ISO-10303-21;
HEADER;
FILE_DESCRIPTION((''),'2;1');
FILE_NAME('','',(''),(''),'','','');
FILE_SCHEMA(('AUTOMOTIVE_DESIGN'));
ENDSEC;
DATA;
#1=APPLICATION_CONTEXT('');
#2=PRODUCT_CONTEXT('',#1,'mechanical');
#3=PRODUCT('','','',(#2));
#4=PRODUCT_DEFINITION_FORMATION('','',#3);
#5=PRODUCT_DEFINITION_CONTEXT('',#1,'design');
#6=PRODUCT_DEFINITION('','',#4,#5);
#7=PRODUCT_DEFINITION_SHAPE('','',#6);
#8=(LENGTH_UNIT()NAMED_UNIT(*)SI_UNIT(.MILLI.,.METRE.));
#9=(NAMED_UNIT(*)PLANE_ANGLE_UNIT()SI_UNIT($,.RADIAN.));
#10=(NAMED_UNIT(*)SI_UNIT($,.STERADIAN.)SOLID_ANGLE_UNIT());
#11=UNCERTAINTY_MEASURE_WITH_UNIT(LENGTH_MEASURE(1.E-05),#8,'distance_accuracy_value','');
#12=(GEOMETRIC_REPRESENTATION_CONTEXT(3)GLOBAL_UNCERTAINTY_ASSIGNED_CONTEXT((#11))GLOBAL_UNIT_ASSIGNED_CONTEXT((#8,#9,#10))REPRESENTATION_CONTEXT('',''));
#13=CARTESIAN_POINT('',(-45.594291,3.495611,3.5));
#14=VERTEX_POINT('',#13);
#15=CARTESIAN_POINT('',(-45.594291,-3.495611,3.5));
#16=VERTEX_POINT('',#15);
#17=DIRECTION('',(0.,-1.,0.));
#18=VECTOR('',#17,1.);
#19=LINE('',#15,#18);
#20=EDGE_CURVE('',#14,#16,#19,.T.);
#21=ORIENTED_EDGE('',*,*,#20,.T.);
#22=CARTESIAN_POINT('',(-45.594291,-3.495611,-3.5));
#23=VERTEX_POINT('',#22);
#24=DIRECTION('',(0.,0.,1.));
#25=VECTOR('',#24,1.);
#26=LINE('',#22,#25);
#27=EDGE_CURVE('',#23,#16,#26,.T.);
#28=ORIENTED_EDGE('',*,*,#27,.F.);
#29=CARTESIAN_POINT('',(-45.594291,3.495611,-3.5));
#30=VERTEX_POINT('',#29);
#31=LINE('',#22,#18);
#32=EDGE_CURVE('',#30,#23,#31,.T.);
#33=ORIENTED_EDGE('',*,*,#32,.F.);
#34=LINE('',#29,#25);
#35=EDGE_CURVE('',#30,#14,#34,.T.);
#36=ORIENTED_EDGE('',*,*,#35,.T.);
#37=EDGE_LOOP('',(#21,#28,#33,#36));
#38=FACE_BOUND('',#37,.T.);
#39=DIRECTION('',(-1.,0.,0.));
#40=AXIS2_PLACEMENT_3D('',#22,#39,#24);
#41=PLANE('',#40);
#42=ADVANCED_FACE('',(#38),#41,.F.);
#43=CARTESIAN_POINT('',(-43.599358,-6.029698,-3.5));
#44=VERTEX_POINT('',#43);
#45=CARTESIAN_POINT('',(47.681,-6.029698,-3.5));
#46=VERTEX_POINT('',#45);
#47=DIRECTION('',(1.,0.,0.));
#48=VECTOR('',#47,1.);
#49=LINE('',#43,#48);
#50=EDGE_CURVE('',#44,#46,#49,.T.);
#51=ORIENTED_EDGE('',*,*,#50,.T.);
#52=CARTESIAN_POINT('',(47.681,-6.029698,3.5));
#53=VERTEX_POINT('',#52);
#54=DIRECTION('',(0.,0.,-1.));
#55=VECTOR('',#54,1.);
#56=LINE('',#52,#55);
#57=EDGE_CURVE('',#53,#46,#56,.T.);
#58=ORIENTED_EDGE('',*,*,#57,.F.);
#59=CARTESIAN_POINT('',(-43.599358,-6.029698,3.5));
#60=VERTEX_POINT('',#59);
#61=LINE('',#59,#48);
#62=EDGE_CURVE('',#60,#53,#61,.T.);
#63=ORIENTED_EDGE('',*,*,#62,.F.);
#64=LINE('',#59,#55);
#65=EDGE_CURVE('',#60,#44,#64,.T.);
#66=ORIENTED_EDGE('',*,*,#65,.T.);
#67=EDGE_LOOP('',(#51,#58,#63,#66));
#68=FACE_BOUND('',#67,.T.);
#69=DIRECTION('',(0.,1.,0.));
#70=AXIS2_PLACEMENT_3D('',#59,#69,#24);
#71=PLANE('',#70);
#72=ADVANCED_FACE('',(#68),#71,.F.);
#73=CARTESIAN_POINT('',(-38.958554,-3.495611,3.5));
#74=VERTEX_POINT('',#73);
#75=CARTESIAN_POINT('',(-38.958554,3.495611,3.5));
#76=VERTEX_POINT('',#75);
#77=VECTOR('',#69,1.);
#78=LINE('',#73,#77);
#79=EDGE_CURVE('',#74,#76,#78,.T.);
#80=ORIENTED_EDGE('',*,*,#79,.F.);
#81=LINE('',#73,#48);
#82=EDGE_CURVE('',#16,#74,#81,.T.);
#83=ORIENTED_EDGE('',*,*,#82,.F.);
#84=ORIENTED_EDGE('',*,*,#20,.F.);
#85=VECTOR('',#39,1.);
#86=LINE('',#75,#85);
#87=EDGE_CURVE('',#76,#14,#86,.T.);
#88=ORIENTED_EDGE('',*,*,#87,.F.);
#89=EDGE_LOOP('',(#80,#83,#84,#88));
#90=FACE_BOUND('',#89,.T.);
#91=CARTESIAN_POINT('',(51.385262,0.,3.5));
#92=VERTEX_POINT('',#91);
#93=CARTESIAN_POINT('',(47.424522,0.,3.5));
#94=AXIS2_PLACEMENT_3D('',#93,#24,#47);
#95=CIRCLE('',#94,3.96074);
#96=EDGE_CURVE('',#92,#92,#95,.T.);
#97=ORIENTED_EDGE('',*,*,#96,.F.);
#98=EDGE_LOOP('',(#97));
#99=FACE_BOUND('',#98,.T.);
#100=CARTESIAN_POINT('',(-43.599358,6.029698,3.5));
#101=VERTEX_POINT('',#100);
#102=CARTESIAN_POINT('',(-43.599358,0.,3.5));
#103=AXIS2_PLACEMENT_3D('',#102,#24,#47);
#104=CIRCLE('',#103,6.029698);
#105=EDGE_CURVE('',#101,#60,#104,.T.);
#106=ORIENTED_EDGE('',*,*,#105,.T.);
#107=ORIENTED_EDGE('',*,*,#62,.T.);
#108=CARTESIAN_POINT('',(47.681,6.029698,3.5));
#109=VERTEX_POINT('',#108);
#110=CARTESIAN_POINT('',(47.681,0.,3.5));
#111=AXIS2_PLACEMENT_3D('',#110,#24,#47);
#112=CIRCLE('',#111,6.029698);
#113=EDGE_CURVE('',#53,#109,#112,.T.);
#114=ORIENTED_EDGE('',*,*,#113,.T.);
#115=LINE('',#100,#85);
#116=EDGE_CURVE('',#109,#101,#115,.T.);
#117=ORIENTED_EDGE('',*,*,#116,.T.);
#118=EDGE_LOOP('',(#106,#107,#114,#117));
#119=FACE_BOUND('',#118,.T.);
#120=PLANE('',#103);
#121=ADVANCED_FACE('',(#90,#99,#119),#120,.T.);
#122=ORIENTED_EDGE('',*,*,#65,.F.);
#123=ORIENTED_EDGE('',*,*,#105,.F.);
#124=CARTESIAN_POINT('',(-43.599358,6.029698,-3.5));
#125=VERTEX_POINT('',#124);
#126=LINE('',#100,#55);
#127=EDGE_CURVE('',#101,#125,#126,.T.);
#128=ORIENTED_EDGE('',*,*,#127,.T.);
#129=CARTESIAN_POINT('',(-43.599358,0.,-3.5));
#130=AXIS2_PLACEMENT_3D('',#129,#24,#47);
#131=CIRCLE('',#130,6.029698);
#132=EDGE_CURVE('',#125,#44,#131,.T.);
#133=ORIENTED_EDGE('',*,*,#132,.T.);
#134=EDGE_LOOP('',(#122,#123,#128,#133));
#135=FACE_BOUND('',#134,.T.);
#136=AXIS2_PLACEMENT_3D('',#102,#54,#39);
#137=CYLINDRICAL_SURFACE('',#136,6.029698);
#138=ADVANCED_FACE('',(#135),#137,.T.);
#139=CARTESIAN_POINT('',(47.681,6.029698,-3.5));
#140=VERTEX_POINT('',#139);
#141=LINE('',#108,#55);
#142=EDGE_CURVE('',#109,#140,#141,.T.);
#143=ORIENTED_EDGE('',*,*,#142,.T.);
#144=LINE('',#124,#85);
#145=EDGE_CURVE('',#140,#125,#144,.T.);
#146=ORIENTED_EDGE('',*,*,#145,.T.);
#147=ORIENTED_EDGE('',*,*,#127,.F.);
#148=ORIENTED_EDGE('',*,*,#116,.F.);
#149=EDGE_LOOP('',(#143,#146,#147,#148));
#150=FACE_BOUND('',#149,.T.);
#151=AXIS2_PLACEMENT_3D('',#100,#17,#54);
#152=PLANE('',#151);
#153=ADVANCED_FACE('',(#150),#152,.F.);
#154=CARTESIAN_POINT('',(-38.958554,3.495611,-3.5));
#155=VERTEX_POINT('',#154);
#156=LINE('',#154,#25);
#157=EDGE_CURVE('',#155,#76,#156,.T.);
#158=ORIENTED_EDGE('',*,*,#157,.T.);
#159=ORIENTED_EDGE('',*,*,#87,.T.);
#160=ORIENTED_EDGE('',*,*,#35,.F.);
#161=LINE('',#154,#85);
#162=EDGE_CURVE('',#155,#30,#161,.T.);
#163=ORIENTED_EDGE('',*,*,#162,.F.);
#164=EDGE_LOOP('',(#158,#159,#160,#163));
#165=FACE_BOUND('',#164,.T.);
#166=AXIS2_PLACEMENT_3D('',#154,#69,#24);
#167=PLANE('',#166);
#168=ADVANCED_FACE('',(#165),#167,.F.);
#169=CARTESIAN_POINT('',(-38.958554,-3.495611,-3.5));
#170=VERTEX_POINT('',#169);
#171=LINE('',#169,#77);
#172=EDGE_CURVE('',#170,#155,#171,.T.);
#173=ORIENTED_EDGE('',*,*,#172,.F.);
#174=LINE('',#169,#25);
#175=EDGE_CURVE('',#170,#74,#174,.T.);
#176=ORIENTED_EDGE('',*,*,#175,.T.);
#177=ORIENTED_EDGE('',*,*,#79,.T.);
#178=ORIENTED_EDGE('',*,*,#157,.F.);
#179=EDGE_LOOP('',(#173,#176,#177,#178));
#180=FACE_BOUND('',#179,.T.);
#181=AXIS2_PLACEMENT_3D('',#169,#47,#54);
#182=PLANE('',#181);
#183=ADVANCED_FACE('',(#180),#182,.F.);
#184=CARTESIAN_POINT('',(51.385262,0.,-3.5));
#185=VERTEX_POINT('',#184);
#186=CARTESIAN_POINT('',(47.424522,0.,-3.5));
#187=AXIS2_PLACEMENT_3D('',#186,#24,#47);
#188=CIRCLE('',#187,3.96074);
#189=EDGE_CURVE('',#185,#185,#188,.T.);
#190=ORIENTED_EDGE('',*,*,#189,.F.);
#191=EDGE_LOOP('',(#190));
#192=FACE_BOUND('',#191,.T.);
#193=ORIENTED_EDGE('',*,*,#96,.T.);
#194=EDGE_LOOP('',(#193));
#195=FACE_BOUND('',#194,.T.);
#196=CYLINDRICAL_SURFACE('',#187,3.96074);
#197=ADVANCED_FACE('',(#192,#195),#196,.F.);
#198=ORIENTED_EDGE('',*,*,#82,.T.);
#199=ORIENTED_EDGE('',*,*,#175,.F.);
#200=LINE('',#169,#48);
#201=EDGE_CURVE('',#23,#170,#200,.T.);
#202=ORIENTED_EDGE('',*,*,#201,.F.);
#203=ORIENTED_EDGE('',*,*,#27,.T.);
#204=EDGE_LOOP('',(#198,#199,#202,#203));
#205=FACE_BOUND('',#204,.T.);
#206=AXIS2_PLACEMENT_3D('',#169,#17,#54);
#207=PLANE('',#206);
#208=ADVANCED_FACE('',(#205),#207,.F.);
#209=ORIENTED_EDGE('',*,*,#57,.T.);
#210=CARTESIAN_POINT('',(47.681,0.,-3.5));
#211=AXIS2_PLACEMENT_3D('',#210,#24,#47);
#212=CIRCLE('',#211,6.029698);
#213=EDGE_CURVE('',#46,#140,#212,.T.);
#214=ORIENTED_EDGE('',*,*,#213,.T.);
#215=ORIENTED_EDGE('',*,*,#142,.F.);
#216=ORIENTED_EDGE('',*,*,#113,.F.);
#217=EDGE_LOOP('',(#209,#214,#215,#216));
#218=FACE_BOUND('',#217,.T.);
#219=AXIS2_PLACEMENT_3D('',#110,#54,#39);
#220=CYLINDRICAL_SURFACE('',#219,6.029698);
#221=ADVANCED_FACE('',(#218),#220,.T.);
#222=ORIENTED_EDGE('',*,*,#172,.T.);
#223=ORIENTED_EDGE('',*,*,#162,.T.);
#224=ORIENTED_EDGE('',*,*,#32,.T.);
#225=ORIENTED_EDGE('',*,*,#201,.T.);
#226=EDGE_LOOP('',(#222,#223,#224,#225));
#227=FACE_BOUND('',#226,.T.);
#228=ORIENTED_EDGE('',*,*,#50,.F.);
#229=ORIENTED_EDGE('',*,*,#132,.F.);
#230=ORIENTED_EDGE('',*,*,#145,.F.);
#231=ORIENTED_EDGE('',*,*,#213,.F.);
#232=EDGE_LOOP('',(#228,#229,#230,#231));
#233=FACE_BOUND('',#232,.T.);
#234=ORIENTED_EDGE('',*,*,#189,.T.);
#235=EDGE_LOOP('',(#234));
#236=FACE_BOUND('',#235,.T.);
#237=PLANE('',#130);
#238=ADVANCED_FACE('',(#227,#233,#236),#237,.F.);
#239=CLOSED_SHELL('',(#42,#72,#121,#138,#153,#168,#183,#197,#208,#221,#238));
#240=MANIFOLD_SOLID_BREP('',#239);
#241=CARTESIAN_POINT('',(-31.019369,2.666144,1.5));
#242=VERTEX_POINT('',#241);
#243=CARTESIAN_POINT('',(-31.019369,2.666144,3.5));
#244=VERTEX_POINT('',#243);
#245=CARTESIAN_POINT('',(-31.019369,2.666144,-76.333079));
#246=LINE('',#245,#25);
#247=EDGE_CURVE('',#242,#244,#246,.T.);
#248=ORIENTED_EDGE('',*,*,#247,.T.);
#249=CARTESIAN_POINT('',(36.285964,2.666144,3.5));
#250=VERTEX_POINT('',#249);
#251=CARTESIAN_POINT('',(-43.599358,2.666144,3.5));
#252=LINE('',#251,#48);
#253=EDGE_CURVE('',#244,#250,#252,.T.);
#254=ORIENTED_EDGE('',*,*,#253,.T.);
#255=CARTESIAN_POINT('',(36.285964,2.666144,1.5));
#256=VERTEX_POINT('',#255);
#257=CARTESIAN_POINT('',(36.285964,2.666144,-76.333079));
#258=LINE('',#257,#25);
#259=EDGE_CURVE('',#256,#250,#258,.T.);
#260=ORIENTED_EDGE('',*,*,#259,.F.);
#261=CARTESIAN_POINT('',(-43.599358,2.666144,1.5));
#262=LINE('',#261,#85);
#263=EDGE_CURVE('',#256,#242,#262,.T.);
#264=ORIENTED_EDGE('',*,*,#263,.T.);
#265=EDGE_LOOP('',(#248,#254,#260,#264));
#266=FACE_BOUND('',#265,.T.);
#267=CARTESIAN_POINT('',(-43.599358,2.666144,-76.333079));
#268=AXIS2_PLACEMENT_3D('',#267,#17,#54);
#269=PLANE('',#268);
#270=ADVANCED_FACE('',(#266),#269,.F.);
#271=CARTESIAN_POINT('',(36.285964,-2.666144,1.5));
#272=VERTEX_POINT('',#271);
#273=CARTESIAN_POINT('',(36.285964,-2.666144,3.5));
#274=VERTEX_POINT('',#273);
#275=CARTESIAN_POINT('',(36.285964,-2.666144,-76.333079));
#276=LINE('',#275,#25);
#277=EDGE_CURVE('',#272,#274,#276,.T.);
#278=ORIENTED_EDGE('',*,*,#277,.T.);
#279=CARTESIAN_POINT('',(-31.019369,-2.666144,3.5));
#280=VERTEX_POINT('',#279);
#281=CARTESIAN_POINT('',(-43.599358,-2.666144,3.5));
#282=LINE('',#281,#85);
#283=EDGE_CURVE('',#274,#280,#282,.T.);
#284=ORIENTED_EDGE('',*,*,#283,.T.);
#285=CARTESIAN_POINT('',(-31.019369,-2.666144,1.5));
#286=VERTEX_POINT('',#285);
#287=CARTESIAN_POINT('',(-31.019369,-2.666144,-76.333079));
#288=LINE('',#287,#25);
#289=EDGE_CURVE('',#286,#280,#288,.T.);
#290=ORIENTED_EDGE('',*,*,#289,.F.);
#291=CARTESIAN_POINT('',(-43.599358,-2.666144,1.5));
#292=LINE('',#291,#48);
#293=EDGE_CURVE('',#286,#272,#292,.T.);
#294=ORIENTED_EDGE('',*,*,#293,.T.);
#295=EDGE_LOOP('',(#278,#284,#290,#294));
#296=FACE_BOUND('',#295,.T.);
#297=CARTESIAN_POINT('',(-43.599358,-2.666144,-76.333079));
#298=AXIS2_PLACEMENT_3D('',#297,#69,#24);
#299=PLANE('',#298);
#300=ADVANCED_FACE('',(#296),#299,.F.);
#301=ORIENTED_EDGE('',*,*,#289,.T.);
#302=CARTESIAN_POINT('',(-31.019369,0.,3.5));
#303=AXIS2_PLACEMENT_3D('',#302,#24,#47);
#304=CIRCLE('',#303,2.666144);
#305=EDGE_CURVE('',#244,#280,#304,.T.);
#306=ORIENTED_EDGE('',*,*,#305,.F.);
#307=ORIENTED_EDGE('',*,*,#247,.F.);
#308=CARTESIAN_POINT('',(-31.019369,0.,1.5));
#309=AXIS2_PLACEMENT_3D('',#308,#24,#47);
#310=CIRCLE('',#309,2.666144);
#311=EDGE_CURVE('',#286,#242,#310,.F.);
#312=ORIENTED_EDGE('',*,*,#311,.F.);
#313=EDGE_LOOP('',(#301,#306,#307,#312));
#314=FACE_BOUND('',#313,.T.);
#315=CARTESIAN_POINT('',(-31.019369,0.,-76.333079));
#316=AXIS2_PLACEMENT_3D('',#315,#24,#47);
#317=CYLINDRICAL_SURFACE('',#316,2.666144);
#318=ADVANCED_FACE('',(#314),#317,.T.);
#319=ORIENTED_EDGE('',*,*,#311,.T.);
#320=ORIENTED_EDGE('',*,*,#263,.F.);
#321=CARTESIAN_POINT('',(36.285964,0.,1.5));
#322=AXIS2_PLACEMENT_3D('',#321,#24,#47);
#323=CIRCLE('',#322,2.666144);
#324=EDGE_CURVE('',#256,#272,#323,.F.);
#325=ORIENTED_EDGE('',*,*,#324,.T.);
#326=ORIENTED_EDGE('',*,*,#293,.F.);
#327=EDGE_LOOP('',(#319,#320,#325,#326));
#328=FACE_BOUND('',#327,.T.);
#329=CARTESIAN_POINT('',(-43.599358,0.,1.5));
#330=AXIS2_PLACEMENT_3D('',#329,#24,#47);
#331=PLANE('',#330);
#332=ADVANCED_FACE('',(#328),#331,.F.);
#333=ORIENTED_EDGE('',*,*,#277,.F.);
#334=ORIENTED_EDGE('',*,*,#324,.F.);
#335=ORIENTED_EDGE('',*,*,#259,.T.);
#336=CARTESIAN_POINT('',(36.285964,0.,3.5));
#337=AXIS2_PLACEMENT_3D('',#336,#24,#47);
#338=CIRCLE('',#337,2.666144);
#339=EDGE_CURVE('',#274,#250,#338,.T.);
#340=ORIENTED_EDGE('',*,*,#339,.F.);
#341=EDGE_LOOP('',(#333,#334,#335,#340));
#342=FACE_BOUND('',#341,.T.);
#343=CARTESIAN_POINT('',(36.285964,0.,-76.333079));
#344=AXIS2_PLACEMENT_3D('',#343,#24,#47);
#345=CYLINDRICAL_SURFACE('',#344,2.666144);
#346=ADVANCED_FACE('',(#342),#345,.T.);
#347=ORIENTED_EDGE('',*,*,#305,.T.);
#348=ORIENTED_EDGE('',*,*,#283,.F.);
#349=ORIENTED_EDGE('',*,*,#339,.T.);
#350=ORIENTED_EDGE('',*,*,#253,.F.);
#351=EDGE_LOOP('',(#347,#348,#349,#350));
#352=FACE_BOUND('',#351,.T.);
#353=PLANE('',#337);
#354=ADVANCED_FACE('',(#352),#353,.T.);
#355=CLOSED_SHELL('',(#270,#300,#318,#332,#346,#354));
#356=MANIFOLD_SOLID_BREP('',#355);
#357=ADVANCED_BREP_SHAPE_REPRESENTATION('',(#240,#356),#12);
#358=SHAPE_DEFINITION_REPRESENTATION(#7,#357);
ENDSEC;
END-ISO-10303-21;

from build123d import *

# Parameters (mm, degrees)
BOSS_EXTRUDE1_DEPTH     = 3.5
SKETCH3_R               = 3.960739879
CUT_EXTRUDE2_DEPTH      = 4.5
CUT_EXTRUDE2_DEPTH_BACK = 4.5
SKETCH4_W               = 6.635737024
SKETCH4_H               = 6.991222936
CUT_EXTRUDE3_DEPTH      = 4.5
CUT_EXTRUDE3_DEPTH_BACK = 4.5
BOSS_EXTRUDE5_START     = 3.5
BOSS_EXTRUDE5_DEPTH     = 2


with BuildPart() as part:
    # Sketch1 → Boss-Extrude1 (new body, symmetric)
    with BuildSketch(Plane.XY):
        with BuildLine():
            Line((-43.599357872, 6.029698429), (47.680999885, 6.029698429))
            ThreePointArc((47.680999885, 6.029698429), (53.710698314, 0), (47.680999885, -6.029698429))
            Line((47.680999885, -6.029698429), (-43.599357872, -6.029698429))
            ThreePointArc((-43.599357872, -6.029698429), (-49.629056301, 0), (-43.599357872, 6.029698429))
        make_face()
    extrude(amount=BOSS_EXTRUDE1_DEPTH, both=True)

    # Sketch3 → Cut-Extrude2 (cut, two sides)
    with BuildSketch(Plane.XY) as cut_extrude2_sk:
        with Locations((47.424522437, 0)):
            Circle(SKETCH3_R)
    extrude(amount=CUT_EXTRUDE2_DEPTH, mode=Mode.SUBTRACT)
    extrude(cut_extrude2_sk.sketch, amount=-CUT_EXTRUDE2_DEPTH_BACK, mode=Mode.SUBTRACT)

    # Sketch4 → Cut-Extrude3 (cut, two sides)
    with BuildSketch(Plane.XY) as cut_extrude3_sk:
        with Locations((-42.276422688, 0)):
            Rectangle(SKETCH4_W, SKETCH4_H)
    extrude(amount=CUT_EXTRUDE3_DEPTH, mode=Mode.SUBTRACT)
    extrude(cut_extrude3_sk.sketch, amount=-CUT_EXTRUDE3_DEPTH_BACK, mode=Mode.SUBTRACT)


with BuildPart() as body_2:
    # Sketch5 → Boss-Extrude5 (new body)
    with BuildSketch(Plane.XY.offset(BOSS_EXTRUDE5_START)):
        with BuildLine():
            Line((-31.019368808, 2.66614434), (36.285963862, 2.66614434))
            ThreePointArc((36.285963862, 2.66614434), (38.952108202, 0), (36.285963862, -2.66614434))
            Line((36.285963862, -2.66614434), (-31.019368808, -2.66614434))
            ThreePointArc((-31.019368808, -2.66614434), (-33.685513148, 0), (-31.019368808, 2.66614434))
        make_face()
    extrude(amount=-BOSS_EXTRUDE5_DEPTH)


solid = Compound([part.part, body_2.part])
